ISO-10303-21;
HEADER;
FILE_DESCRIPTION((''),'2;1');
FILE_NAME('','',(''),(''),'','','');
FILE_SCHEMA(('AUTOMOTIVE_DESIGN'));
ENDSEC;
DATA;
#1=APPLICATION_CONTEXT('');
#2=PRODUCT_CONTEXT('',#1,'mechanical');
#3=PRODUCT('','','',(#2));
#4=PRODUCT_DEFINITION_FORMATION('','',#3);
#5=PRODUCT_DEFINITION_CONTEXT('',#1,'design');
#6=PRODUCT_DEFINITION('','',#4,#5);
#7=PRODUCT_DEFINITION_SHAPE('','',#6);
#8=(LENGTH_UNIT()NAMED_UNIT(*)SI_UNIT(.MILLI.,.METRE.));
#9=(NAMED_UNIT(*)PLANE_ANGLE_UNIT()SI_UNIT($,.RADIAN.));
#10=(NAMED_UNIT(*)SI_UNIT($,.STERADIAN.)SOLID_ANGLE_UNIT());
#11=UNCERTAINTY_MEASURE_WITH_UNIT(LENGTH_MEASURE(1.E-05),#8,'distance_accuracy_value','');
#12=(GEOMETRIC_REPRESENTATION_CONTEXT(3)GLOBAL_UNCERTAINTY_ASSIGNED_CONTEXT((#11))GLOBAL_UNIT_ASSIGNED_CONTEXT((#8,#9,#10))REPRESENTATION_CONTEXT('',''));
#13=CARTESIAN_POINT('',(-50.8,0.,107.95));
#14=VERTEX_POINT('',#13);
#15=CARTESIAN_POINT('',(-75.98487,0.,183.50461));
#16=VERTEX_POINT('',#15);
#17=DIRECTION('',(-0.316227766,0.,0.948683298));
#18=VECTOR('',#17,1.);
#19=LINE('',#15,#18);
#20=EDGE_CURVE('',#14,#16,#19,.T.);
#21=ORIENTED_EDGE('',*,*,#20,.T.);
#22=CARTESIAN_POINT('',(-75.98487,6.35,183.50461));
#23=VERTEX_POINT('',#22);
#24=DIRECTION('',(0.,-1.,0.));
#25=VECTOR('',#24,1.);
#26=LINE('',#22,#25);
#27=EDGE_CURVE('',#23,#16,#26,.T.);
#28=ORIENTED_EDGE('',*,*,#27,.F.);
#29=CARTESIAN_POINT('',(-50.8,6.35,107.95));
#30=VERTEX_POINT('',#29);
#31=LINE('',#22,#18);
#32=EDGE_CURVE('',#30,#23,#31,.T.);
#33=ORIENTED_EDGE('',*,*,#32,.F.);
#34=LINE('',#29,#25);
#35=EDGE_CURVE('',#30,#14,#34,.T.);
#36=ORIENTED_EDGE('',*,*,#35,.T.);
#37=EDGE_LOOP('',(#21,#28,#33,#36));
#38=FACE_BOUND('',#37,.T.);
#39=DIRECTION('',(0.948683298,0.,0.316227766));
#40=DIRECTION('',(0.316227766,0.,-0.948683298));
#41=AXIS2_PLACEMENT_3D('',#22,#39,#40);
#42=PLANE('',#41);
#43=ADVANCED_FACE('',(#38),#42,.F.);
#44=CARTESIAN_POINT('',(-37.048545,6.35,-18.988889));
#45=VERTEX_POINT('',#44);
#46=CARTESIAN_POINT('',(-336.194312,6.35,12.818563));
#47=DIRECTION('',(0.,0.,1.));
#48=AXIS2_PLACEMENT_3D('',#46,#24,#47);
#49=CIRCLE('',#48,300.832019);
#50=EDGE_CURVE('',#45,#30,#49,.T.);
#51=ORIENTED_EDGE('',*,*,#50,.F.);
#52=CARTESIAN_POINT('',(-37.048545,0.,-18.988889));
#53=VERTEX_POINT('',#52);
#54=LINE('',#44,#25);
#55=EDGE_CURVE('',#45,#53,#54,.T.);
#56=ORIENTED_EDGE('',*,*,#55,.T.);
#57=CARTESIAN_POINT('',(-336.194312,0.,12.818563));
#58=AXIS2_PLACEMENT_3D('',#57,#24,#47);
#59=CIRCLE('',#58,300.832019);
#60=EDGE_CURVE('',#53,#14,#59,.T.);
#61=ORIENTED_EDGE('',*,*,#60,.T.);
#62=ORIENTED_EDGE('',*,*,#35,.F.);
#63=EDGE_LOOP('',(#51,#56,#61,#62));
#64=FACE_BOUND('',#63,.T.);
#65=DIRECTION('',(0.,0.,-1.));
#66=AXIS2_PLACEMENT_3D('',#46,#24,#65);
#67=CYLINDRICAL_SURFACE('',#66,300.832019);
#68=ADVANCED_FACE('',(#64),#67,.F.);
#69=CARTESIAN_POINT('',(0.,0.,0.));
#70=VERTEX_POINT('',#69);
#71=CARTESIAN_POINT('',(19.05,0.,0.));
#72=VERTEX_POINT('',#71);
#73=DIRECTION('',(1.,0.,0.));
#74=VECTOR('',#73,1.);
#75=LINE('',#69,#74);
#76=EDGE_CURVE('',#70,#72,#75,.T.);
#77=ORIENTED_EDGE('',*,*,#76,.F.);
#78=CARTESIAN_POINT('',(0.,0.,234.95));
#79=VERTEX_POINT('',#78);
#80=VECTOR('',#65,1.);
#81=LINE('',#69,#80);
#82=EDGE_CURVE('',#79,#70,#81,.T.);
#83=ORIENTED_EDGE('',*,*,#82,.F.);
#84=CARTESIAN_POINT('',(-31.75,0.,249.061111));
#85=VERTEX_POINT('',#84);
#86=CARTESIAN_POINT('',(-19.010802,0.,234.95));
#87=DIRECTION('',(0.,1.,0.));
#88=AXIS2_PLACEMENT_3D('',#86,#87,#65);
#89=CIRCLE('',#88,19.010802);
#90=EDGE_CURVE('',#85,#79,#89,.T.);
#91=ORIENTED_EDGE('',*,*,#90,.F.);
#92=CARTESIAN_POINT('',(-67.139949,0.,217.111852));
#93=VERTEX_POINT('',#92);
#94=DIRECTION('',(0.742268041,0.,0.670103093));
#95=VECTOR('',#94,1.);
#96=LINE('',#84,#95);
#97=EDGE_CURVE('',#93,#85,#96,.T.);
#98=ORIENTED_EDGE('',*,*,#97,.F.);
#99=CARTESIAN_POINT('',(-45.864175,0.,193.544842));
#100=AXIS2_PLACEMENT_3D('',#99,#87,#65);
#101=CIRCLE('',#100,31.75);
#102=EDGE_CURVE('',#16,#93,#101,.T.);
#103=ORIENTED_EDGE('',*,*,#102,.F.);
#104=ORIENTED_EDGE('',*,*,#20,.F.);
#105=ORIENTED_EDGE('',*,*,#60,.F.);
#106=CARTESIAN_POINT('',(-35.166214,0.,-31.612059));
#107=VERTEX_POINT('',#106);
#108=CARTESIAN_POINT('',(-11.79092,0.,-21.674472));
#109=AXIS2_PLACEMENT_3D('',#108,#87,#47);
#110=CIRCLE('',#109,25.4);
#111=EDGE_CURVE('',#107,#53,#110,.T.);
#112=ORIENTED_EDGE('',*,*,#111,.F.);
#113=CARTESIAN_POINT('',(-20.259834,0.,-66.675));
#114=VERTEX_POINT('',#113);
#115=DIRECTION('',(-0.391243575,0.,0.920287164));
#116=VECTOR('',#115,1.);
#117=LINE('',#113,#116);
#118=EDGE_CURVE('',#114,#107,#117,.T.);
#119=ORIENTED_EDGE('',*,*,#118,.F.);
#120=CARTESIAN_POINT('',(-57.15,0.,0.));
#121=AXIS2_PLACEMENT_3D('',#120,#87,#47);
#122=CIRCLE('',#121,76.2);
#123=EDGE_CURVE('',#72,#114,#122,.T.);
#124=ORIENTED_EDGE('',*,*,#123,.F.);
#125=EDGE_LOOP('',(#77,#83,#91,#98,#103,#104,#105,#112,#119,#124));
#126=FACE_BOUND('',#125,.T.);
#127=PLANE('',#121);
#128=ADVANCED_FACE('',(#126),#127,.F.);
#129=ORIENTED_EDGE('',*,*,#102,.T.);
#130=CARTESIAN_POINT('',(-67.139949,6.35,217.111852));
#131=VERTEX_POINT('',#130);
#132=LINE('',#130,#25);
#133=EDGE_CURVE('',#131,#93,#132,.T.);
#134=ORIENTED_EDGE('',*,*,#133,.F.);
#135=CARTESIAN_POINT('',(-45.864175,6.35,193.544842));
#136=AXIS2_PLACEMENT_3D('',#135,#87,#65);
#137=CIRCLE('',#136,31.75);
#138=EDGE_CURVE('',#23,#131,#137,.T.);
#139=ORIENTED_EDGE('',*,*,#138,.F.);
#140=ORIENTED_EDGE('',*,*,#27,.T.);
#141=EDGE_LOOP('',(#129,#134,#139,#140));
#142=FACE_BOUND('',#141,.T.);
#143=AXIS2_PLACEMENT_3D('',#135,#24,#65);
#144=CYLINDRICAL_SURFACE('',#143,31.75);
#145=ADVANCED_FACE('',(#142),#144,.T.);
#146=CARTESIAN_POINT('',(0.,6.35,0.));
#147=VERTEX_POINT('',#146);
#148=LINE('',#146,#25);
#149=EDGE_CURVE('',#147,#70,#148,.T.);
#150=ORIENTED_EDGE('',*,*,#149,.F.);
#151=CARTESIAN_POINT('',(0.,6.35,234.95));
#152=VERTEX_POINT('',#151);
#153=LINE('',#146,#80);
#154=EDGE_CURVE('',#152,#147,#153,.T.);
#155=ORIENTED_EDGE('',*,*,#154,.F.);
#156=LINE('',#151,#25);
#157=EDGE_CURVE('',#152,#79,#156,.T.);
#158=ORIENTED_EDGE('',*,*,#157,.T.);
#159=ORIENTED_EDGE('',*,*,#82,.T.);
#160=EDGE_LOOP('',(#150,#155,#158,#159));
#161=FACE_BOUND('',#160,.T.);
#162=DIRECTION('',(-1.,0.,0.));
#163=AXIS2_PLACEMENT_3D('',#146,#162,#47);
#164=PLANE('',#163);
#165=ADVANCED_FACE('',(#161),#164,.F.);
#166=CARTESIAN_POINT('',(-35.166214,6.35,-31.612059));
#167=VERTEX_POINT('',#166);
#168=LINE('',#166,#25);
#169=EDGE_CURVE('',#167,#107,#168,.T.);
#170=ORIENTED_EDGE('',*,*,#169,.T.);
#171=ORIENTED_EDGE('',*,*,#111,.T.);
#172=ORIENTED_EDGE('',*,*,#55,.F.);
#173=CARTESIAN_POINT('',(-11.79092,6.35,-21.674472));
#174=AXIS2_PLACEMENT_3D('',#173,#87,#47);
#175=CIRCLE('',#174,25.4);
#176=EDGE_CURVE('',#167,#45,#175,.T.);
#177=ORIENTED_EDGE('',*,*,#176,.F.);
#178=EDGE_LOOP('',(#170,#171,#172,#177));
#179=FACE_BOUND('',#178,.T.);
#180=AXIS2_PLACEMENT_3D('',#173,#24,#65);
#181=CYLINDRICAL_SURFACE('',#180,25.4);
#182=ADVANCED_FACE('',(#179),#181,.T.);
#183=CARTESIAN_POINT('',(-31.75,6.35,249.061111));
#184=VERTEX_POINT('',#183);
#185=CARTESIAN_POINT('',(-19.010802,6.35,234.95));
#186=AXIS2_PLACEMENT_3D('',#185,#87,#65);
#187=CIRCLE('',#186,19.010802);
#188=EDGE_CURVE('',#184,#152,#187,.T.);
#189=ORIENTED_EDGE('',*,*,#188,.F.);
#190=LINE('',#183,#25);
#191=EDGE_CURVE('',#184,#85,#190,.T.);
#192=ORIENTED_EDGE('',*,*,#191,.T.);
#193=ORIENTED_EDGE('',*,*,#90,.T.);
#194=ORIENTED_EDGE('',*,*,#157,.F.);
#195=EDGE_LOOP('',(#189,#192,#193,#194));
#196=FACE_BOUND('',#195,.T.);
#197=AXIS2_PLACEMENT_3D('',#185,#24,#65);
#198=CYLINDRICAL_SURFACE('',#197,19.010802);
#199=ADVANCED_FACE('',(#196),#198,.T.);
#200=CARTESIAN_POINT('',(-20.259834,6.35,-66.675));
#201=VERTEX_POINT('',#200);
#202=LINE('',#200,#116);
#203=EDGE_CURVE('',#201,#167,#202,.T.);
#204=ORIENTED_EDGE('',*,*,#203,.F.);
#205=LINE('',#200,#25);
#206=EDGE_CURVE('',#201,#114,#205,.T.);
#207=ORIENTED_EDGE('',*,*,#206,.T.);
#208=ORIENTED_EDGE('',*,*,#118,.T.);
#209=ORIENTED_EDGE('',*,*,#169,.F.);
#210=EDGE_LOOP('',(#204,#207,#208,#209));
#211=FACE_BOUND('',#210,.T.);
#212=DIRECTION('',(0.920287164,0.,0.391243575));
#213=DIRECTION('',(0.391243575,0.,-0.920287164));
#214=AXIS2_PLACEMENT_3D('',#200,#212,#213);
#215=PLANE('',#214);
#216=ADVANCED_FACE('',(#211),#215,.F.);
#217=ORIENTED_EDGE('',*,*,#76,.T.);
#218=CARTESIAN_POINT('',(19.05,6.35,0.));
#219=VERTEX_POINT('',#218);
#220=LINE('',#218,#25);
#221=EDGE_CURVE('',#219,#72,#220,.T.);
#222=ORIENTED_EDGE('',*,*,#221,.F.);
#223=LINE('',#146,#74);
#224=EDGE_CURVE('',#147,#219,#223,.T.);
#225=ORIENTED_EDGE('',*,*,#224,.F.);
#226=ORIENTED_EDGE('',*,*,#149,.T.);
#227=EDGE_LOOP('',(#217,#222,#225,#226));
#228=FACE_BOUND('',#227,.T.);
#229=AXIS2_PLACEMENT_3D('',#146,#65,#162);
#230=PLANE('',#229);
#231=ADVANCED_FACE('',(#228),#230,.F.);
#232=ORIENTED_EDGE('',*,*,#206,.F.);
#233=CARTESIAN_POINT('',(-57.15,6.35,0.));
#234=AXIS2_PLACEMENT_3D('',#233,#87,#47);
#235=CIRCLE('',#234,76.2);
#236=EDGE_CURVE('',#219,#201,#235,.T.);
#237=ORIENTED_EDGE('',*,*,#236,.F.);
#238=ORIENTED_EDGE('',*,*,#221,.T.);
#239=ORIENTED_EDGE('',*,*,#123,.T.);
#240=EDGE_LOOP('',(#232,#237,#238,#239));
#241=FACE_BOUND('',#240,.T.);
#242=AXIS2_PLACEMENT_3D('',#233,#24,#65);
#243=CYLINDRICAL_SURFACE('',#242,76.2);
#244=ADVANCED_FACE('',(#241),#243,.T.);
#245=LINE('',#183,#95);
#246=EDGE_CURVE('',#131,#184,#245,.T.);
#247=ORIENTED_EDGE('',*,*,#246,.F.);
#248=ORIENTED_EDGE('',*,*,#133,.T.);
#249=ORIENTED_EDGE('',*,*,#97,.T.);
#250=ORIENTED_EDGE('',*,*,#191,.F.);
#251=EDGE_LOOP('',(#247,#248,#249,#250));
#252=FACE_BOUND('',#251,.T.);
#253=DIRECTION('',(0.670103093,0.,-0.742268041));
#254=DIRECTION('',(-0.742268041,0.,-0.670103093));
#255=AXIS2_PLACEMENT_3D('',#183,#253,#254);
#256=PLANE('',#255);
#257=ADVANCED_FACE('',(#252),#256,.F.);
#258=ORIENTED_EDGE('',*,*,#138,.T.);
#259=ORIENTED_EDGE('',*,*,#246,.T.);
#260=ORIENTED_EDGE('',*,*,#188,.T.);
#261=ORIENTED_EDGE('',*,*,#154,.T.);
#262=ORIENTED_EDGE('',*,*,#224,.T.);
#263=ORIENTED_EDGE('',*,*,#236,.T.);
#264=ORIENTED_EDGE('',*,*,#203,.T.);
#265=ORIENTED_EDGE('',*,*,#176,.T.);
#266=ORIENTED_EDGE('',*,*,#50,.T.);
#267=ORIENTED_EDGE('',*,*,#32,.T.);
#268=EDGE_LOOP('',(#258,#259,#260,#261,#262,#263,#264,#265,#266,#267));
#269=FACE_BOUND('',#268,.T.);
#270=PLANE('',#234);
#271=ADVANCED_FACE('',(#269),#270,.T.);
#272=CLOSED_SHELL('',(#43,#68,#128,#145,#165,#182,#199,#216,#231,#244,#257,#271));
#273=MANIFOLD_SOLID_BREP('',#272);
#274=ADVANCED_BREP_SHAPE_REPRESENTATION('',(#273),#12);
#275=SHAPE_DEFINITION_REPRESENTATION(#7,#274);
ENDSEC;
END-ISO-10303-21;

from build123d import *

# Parameters (mm, degrees)
BOSS_EXTRUDE1_DEPTH = 6.35


with BuildPart() as part:
    # Sketch1 → Boss-Extrude1 (new body)
    with BuildSketch(Plane(origin=(0, 0, 0), x_dir=(1, 0, 0), z_dir=(0, 1, 0))):
        with BuildLine():
            Line((0, 0), (0, -234.95))
            ThreePointArc((0, -234.95), (-11.289784316, -252.322290845), (-31.75, -249.061111111))
            Line((-31.75, -249.061111111), (-67.13994853, -217.111852022))
            ThreePointArc((-67.13994853, -217.111852022), (-76.568587152, -201.625781937), (-75.984870047, -183.504610141))
            Line((-75.984870047, -183.504610141), (-50.8, -107.95))
            ThreePointArc((-50.8, -107.95), (-37.112138852, -45.218522559), (-37.04854536, 18.988889479))
            ThreePointArc((-37.04854536, 18.988889479), (-36.913147406, 25.420628086), (-35.166213845, 31.612059039))
            Line((-35.166213845, 31.612059039), (-20.259833627, 66.675))
            ThreePointArc((-20.259833627, 66.675), (8.490957784, 38.700189421), (19.05, 0))
            Line((19.05, 0), (0, 0))
        make_face()
    extrude(amount=BOSS_EXTRUDE1_DEPTH)


solid = part.part
